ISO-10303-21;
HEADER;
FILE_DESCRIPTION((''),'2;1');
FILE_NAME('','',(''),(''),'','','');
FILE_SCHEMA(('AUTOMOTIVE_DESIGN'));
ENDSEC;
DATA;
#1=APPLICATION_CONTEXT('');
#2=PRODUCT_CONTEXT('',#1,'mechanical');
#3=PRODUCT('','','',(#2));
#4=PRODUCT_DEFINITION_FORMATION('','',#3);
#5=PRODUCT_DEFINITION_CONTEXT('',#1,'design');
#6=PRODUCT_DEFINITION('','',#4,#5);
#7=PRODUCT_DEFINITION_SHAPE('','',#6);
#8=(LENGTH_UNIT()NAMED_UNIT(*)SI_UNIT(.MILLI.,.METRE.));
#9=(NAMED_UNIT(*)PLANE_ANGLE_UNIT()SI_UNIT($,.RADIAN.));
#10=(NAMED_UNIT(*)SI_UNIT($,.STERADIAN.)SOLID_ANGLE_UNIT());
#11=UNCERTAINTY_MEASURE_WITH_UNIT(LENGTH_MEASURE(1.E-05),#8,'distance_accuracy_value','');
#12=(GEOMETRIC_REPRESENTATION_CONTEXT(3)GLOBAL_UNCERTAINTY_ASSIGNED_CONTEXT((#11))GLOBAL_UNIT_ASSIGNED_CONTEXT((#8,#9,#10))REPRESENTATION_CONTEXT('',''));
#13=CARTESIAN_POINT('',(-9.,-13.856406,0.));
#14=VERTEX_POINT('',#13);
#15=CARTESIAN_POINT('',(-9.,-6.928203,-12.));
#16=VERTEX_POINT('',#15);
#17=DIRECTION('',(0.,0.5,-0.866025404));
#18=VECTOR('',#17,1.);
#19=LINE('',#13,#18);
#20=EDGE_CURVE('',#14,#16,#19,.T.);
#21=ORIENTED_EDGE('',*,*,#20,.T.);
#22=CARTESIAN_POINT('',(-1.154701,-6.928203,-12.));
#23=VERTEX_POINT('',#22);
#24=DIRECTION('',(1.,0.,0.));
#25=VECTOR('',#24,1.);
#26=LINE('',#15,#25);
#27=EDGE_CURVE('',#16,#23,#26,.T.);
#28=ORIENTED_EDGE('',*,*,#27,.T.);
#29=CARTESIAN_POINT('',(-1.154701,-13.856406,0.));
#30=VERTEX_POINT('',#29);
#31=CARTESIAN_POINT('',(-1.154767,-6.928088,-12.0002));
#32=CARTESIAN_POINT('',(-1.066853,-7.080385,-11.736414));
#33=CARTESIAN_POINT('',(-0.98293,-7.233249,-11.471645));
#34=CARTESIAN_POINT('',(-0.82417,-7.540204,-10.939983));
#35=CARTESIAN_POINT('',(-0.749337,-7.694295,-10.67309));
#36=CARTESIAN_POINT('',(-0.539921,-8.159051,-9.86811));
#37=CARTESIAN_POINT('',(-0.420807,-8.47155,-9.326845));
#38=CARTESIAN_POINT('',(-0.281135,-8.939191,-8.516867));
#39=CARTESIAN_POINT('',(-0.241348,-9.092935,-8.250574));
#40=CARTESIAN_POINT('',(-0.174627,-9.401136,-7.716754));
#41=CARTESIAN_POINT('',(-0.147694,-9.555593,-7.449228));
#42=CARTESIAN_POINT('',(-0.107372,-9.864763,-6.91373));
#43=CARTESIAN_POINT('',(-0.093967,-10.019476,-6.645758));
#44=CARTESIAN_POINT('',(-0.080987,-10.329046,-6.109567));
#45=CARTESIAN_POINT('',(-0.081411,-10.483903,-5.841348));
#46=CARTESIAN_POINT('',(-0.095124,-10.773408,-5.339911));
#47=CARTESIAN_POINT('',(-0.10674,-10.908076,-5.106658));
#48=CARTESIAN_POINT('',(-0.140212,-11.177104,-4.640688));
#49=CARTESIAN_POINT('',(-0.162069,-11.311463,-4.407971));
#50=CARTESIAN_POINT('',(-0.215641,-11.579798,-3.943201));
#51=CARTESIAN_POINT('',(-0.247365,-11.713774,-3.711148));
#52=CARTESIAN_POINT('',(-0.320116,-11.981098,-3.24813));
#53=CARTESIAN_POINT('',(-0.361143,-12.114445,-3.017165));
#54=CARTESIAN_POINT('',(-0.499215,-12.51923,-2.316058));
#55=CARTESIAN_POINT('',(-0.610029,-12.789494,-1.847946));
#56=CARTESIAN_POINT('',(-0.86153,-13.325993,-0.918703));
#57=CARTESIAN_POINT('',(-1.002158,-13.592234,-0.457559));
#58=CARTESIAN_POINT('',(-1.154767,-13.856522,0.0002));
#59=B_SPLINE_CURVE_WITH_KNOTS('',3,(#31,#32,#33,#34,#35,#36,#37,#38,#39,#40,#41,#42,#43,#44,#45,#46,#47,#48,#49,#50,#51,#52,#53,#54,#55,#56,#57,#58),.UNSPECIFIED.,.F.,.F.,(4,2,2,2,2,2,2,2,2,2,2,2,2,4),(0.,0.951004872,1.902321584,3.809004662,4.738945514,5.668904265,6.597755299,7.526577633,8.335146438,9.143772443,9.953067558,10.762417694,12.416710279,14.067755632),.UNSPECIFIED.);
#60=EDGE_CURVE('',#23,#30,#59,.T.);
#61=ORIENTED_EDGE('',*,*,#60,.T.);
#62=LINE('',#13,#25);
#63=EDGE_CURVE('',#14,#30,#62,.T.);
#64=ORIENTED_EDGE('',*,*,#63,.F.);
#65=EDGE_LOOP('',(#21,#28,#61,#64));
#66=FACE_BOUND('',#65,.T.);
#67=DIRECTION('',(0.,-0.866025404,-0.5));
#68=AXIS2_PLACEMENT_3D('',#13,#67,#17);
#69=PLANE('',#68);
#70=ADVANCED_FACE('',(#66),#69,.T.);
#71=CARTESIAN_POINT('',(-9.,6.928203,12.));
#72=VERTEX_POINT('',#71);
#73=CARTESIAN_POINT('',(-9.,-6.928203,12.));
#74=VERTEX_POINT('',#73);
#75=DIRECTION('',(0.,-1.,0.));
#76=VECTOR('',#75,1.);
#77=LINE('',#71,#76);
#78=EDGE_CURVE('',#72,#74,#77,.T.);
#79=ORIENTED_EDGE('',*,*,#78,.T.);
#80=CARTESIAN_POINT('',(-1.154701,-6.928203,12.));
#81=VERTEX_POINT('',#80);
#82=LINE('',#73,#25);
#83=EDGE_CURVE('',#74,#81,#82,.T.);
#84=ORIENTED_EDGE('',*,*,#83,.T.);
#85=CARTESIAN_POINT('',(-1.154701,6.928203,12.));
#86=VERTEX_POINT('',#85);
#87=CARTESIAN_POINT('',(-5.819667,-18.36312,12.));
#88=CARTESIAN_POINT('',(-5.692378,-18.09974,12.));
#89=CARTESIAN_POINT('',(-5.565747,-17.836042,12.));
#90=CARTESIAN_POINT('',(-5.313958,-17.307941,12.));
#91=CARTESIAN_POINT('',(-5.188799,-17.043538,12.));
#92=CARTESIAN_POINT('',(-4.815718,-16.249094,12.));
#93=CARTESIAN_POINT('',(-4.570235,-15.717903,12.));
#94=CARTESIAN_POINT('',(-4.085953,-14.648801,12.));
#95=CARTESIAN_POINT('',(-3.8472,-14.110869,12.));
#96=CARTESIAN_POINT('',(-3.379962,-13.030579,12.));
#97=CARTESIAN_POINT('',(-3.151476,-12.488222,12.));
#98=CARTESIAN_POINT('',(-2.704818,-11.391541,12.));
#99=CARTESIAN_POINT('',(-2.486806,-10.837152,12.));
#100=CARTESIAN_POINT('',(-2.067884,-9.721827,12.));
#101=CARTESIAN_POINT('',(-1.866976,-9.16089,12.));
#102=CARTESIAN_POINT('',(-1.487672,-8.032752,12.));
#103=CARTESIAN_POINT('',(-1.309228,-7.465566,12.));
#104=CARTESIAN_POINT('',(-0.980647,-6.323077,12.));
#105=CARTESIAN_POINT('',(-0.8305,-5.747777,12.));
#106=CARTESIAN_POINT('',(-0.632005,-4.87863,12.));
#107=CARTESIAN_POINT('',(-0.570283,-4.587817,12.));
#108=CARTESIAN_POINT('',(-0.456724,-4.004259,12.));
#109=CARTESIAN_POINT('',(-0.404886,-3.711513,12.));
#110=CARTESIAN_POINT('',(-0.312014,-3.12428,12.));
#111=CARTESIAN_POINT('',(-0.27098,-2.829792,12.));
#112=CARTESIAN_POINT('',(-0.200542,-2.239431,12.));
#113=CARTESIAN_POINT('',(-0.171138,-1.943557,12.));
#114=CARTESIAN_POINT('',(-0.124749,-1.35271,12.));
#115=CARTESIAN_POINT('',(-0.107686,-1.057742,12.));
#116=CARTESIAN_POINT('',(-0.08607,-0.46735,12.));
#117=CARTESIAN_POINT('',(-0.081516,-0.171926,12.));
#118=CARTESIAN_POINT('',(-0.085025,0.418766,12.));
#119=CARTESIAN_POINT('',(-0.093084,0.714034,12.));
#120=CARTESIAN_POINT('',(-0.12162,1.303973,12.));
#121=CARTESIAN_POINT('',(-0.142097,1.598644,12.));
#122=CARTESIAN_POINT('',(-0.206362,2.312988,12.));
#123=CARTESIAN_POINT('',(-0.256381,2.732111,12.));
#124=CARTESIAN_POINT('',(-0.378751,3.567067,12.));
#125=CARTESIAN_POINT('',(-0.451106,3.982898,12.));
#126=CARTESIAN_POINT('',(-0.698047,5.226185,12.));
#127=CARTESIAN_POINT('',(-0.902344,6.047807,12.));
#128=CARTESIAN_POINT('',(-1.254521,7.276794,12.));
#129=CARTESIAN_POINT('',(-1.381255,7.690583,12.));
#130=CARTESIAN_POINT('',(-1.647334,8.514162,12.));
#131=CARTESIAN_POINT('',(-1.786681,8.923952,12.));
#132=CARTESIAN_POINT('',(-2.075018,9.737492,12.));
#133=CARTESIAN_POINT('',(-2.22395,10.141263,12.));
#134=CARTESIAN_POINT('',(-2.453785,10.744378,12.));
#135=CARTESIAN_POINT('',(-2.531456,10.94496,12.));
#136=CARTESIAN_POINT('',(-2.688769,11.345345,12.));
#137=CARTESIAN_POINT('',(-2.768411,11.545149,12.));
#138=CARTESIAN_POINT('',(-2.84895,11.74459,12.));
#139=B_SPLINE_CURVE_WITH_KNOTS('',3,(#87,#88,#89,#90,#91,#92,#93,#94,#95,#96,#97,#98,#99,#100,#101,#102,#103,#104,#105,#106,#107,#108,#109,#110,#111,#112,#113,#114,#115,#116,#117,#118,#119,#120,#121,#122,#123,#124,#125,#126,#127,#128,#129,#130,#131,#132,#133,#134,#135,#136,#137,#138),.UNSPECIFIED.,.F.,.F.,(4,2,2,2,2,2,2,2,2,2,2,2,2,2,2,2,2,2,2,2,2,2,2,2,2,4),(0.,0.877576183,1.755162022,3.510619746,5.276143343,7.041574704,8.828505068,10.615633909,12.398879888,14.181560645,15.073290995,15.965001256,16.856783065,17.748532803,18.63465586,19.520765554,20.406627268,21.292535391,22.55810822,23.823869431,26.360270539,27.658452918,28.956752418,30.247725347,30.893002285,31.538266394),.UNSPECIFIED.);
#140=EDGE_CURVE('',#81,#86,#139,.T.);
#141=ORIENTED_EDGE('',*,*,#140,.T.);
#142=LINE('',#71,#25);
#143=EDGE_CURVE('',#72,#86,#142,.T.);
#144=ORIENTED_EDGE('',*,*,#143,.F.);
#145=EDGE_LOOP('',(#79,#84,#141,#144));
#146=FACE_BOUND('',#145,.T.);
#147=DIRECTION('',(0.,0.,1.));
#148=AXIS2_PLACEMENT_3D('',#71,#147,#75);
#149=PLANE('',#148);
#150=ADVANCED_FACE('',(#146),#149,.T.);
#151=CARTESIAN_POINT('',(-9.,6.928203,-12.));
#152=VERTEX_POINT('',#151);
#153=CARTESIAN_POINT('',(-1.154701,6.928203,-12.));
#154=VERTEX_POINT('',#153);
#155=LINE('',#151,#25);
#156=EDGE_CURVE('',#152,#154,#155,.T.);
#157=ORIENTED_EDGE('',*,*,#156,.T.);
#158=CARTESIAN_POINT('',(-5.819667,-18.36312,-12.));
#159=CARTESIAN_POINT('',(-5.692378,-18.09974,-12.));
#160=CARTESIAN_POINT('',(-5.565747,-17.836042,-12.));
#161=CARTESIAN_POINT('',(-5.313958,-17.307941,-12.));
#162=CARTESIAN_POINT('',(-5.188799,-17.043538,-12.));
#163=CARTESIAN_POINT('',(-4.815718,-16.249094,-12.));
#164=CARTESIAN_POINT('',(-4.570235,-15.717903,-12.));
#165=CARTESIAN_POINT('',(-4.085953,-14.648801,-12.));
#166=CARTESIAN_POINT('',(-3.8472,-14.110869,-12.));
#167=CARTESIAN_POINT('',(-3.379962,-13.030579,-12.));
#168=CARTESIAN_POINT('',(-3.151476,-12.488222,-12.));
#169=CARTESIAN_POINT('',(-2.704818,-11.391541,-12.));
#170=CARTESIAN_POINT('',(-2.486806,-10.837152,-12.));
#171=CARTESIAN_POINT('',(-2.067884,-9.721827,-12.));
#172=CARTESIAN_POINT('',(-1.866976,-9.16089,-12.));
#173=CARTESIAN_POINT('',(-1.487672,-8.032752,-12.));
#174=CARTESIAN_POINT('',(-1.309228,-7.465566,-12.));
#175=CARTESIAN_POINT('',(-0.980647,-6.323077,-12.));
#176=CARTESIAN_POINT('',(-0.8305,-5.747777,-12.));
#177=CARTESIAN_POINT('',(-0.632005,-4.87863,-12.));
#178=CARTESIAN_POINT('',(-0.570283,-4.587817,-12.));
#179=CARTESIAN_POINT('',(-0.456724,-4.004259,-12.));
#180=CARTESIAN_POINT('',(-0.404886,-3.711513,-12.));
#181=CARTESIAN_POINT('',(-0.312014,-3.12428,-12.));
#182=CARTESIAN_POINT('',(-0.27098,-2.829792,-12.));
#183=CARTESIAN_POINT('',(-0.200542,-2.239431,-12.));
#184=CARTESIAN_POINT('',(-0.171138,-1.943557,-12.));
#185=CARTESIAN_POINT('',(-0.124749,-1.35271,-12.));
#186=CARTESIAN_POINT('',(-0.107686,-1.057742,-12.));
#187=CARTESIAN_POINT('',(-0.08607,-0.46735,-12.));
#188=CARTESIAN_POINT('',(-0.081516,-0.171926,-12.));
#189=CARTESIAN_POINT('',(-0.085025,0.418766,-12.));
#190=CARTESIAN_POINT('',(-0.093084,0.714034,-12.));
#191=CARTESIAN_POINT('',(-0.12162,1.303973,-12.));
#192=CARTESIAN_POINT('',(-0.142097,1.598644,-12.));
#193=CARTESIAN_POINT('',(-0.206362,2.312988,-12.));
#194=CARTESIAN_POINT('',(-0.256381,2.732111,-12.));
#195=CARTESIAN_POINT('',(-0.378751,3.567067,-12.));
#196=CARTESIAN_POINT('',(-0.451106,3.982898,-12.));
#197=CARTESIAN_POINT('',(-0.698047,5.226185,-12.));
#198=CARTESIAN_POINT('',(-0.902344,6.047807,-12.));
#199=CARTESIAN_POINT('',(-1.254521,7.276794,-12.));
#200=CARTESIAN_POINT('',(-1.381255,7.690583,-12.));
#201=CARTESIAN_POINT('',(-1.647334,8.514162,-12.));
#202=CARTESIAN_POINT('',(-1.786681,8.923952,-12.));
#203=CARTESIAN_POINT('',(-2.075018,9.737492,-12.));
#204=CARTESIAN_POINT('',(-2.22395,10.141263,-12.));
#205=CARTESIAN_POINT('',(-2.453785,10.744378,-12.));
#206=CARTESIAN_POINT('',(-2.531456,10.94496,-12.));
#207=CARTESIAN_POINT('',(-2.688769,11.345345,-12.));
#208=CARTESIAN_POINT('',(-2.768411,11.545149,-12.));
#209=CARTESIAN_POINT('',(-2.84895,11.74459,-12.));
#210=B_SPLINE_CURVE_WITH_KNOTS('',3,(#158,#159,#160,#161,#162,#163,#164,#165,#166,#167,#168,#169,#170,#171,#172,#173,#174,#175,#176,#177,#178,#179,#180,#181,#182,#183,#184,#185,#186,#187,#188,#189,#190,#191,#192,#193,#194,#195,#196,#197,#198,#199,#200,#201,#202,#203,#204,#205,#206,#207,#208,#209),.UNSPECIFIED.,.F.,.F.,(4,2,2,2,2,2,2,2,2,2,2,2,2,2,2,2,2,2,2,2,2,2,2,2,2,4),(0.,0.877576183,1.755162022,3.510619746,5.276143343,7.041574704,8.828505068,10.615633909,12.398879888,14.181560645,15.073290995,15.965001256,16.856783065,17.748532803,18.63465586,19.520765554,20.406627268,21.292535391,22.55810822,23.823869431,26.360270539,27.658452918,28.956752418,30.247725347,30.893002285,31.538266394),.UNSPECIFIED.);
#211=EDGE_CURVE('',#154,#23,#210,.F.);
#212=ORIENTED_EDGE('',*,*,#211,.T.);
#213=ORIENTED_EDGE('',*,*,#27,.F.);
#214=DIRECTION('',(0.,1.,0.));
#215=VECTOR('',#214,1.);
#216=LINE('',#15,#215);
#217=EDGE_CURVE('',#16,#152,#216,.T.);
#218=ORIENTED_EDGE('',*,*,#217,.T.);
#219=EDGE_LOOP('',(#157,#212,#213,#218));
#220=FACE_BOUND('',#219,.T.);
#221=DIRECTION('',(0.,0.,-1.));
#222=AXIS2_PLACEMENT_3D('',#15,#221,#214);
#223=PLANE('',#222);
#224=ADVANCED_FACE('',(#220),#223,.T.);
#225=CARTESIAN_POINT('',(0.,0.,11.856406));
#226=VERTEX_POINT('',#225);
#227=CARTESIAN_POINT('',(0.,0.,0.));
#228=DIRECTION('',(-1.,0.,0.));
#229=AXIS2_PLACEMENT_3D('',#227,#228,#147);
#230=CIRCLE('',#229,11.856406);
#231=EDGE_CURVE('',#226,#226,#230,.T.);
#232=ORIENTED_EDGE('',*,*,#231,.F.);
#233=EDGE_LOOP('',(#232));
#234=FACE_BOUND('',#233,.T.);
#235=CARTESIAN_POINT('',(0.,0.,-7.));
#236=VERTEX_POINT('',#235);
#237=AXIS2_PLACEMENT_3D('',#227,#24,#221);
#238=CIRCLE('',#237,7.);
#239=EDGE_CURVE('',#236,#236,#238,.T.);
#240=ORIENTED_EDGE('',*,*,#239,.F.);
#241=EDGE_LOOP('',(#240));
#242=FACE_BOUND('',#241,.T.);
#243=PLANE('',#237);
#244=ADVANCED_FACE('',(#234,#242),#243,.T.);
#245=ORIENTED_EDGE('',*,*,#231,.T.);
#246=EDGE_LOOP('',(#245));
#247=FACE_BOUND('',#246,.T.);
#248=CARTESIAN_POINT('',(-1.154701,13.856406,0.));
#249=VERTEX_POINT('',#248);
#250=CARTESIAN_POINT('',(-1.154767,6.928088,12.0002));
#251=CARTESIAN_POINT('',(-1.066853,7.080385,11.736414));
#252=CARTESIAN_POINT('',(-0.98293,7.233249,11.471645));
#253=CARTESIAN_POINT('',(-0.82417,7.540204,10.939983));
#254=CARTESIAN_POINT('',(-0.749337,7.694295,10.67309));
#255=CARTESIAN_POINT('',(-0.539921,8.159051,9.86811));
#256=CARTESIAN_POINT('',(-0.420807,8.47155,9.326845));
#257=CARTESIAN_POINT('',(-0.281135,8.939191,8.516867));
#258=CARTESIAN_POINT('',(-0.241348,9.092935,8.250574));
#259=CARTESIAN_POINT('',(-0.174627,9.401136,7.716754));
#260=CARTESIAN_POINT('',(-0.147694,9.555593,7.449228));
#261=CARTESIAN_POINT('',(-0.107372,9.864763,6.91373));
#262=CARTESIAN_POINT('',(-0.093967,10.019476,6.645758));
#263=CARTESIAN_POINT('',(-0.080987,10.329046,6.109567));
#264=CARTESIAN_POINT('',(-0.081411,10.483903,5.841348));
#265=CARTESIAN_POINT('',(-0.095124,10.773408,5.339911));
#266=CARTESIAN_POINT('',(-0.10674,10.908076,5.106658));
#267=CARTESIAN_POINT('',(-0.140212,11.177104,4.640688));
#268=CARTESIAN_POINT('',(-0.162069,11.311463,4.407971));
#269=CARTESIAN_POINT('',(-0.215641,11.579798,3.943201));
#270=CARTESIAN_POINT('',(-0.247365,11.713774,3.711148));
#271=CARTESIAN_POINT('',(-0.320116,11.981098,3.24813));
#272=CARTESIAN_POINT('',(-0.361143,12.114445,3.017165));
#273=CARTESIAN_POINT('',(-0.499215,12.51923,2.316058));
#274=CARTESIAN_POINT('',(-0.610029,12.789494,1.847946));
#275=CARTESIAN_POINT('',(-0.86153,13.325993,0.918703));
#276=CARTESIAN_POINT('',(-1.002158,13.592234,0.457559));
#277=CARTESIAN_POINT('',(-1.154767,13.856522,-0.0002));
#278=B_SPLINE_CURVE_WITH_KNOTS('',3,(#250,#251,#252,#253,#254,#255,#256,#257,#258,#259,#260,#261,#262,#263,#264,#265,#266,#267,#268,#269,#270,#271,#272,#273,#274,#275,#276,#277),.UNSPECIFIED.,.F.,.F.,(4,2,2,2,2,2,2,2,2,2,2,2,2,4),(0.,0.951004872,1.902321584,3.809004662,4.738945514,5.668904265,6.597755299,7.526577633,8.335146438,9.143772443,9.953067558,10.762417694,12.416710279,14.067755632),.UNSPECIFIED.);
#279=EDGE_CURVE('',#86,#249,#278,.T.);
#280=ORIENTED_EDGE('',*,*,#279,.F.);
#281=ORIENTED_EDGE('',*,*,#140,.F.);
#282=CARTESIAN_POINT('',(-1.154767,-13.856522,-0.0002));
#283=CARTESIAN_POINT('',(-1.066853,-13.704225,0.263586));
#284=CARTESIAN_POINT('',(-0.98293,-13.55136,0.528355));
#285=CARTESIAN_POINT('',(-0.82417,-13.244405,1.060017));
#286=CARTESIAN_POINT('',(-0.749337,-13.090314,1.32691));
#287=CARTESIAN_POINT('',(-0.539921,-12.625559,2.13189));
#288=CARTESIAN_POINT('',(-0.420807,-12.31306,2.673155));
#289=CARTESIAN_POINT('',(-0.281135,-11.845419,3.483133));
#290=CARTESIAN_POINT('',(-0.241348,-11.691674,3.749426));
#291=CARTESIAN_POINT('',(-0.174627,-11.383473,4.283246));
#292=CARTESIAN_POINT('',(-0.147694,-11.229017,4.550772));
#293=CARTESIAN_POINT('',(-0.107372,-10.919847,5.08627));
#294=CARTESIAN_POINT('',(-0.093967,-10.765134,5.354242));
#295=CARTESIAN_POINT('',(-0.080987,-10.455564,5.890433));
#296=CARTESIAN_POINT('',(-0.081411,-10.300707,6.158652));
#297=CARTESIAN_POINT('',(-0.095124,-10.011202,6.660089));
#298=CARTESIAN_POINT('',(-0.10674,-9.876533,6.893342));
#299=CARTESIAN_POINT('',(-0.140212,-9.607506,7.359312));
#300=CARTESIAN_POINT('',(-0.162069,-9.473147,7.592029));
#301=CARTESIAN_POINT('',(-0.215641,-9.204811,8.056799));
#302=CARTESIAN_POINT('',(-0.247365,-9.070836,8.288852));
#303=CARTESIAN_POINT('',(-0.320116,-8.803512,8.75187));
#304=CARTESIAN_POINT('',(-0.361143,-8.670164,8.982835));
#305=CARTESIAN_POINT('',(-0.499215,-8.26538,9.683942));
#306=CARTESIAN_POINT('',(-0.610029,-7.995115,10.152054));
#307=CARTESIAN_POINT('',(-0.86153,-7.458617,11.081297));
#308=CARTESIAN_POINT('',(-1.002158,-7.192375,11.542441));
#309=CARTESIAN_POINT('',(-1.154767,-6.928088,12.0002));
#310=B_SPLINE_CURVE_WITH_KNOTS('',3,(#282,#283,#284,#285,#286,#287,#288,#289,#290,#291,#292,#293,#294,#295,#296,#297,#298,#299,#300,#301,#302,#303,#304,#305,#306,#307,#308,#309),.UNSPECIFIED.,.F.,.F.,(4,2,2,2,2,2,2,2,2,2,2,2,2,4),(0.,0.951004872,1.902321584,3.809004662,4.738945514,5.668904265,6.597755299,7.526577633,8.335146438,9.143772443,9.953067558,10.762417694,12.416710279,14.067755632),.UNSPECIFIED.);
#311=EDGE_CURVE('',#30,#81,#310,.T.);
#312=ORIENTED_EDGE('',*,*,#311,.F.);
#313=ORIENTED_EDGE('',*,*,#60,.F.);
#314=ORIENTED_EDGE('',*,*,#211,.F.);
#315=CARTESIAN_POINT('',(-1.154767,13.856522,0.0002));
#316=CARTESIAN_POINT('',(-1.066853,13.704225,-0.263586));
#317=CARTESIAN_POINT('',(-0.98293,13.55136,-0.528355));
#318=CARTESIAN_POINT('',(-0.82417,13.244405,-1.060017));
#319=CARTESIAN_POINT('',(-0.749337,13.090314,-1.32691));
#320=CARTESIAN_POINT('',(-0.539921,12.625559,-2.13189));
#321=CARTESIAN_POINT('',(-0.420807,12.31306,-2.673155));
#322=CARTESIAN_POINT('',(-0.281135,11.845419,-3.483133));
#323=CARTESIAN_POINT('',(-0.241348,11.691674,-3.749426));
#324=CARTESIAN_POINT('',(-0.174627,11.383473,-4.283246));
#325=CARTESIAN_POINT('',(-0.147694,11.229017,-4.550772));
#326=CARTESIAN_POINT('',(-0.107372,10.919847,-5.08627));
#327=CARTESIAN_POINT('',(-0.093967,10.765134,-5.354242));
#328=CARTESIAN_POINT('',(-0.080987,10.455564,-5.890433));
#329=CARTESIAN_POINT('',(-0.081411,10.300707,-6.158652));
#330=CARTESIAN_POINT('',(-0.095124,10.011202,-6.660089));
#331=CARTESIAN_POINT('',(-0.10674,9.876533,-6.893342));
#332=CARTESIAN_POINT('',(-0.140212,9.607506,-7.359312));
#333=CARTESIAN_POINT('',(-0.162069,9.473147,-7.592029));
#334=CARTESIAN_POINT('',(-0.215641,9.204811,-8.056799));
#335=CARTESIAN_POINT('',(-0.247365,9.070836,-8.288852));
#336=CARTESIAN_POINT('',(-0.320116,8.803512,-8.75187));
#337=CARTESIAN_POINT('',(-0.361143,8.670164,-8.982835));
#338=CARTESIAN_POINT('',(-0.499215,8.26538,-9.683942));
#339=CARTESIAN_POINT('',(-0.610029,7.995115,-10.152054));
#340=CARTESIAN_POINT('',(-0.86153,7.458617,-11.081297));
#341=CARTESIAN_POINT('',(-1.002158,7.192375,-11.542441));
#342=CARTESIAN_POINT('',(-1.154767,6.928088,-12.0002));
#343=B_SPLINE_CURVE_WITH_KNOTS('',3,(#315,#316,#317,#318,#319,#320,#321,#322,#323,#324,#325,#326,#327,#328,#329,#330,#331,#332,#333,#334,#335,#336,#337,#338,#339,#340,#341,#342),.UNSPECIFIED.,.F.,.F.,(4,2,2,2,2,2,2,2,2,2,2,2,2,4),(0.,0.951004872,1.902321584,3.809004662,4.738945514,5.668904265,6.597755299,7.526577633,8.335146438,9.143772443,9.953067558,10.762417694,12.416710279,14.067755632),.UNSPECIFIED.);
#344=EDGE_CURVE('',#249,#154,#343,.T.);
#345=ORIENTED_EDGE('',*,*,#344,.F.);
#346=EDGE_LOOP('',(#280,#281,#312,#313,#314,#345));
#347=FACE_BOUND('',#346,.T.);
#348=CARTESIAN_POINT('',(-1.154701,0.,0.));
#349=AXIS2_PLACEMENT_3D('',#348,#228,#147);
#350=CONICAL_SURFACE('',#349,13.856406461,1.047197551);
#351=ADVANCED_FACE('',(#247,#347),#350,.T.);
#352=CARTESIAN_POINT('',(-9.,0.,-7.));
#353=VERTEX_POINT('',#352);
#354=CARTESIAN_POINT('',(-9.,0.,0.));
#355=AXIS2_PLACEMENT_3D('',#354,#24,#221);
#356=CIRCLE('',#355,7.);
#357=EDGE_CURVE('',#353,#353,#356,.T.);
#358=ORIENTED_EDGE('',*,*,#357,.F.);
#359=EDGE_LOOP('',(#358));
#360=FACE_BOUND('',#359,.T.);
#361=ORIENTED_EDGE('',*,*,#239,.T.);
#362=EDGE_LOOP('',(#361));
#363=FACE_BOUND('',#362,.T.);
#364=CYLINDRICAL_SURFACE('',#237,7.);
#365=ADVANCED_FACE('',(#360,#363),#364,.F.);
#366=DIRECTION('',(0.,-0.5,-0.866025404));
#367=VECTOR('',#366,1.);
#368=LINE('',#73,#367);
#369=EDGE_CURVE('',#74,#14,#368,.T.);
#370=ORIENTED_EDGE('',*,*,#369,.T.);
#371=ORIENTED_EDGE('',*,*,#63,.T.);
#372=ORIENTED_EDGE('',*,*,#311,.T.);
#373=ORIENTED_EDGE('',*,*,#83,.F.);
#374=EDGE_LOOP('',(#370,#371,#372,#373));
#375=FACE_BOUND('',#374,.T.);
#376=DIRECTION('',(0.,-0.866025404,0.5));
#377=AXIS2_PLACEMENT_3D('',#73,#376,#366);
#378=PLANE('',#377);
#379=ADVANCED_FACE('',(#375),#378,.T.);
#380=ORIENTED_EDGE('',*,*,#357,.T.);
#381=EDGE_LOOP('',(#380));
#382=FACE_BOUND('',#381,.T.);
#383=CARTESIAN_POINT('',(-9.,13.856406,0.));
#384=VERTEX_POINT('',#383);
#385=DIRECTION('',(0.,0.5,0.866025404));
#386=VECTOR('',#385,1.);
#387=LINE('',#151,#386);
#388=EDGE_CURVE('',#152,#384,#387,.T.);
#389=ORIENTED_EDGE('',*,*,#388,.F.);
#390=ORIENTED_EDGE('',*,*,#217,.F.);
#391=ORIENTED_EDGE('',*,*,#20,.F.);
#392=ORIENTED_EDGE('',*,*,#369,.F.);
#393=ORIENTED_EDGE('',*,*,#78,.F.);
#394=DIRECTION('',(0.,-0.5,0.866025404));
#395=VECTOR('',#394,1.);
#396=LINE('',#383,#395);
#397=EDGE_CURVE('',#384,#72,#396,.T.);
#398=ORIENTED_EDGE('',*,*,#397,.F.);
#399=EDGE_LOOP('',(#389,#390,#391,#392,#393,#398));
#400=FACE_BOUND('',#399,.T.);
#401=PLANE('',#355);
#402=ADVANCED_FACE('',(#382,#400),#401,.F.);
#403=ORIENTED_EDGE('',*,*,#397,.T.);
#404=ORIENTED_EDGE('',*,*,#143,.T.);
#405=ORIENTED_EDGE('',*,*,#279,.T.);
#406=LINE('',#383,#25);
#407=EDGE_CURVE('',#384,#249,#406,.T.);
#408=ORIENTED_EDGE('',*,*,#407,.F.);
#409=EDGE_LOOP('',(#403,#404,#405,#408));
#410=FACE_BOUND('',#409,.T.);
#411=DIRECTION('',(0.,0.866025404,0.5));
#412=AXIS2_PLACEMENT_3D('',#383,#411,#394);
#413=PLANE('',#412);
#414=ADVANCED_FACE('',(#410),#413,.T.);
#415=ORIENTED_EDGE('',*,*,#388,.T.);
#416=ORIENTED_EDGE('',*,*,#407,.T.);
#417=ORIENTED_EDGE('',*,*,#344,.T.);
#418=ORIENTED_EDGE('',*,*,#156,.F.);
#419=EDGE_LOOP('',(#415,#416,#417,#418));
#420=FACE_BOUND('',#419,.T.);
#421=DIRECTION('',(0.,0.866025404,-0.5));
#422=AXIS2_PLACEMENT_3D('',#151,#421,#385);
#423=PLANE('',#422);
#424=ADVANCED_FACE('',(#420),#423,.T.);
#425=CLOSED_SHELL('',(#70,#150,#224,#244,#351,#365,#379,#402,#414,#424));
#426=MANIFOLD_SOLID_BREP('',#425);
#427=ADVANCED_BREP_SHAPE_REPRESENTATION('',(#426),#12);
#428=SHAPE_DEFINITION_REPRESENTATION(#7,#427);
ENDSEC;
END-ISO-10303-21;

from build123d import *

# Parameters (mm, degrees)
BOSS_EXTRUDE1_DEPTH        = 9
M16X2_0_TAPPED_HOLE1_D     = 14
M16X2_0_TAPPED_HOLE1_DEPTH = 9


with BuildPart() as part:
    # Sketch1 → Boss-Extrude1 (new body)
    with BuildSketch(Plane(origin=(0, 0, 0), x_dir=(0, 0, -1), z_dir=(1, 0, 0))):
        Polygon((12, 6.92820323), (0, 13.856406461), (-12, 6.92820323), (-12, -6.92820323), (0, -13.856406461), (12, -6.92820323), align=None)
    extrude(amount=-BOSS_EXTRUDE1_DEPTH)

    # M16x2.0 Tapped Hole1
    with Locations(Plane(origin=(0, 0, 0), x_dir=(0, 0, -1), z_dir=(1, 0, 0))):
        with Locations((0, 0)):
            Hole(M16X2_0_TAPPED_HOLE1_D / 2, depth=M16X2_0_TAPPED_HOLE1_DEPTH)

    # Sketch10 → Cut-Revolve1 (revolve, cut)
    with BuildSketch(Plane.XY):
        Polygon((0, 13.856406461), (0, 11.856406461), (-1.154700538, 13.856406461), align=None)
    revolve(axis=Axis((0, 0, 0), (1, 0, 0)), mode=Mode.SUBTRACT)


solid = part.part
